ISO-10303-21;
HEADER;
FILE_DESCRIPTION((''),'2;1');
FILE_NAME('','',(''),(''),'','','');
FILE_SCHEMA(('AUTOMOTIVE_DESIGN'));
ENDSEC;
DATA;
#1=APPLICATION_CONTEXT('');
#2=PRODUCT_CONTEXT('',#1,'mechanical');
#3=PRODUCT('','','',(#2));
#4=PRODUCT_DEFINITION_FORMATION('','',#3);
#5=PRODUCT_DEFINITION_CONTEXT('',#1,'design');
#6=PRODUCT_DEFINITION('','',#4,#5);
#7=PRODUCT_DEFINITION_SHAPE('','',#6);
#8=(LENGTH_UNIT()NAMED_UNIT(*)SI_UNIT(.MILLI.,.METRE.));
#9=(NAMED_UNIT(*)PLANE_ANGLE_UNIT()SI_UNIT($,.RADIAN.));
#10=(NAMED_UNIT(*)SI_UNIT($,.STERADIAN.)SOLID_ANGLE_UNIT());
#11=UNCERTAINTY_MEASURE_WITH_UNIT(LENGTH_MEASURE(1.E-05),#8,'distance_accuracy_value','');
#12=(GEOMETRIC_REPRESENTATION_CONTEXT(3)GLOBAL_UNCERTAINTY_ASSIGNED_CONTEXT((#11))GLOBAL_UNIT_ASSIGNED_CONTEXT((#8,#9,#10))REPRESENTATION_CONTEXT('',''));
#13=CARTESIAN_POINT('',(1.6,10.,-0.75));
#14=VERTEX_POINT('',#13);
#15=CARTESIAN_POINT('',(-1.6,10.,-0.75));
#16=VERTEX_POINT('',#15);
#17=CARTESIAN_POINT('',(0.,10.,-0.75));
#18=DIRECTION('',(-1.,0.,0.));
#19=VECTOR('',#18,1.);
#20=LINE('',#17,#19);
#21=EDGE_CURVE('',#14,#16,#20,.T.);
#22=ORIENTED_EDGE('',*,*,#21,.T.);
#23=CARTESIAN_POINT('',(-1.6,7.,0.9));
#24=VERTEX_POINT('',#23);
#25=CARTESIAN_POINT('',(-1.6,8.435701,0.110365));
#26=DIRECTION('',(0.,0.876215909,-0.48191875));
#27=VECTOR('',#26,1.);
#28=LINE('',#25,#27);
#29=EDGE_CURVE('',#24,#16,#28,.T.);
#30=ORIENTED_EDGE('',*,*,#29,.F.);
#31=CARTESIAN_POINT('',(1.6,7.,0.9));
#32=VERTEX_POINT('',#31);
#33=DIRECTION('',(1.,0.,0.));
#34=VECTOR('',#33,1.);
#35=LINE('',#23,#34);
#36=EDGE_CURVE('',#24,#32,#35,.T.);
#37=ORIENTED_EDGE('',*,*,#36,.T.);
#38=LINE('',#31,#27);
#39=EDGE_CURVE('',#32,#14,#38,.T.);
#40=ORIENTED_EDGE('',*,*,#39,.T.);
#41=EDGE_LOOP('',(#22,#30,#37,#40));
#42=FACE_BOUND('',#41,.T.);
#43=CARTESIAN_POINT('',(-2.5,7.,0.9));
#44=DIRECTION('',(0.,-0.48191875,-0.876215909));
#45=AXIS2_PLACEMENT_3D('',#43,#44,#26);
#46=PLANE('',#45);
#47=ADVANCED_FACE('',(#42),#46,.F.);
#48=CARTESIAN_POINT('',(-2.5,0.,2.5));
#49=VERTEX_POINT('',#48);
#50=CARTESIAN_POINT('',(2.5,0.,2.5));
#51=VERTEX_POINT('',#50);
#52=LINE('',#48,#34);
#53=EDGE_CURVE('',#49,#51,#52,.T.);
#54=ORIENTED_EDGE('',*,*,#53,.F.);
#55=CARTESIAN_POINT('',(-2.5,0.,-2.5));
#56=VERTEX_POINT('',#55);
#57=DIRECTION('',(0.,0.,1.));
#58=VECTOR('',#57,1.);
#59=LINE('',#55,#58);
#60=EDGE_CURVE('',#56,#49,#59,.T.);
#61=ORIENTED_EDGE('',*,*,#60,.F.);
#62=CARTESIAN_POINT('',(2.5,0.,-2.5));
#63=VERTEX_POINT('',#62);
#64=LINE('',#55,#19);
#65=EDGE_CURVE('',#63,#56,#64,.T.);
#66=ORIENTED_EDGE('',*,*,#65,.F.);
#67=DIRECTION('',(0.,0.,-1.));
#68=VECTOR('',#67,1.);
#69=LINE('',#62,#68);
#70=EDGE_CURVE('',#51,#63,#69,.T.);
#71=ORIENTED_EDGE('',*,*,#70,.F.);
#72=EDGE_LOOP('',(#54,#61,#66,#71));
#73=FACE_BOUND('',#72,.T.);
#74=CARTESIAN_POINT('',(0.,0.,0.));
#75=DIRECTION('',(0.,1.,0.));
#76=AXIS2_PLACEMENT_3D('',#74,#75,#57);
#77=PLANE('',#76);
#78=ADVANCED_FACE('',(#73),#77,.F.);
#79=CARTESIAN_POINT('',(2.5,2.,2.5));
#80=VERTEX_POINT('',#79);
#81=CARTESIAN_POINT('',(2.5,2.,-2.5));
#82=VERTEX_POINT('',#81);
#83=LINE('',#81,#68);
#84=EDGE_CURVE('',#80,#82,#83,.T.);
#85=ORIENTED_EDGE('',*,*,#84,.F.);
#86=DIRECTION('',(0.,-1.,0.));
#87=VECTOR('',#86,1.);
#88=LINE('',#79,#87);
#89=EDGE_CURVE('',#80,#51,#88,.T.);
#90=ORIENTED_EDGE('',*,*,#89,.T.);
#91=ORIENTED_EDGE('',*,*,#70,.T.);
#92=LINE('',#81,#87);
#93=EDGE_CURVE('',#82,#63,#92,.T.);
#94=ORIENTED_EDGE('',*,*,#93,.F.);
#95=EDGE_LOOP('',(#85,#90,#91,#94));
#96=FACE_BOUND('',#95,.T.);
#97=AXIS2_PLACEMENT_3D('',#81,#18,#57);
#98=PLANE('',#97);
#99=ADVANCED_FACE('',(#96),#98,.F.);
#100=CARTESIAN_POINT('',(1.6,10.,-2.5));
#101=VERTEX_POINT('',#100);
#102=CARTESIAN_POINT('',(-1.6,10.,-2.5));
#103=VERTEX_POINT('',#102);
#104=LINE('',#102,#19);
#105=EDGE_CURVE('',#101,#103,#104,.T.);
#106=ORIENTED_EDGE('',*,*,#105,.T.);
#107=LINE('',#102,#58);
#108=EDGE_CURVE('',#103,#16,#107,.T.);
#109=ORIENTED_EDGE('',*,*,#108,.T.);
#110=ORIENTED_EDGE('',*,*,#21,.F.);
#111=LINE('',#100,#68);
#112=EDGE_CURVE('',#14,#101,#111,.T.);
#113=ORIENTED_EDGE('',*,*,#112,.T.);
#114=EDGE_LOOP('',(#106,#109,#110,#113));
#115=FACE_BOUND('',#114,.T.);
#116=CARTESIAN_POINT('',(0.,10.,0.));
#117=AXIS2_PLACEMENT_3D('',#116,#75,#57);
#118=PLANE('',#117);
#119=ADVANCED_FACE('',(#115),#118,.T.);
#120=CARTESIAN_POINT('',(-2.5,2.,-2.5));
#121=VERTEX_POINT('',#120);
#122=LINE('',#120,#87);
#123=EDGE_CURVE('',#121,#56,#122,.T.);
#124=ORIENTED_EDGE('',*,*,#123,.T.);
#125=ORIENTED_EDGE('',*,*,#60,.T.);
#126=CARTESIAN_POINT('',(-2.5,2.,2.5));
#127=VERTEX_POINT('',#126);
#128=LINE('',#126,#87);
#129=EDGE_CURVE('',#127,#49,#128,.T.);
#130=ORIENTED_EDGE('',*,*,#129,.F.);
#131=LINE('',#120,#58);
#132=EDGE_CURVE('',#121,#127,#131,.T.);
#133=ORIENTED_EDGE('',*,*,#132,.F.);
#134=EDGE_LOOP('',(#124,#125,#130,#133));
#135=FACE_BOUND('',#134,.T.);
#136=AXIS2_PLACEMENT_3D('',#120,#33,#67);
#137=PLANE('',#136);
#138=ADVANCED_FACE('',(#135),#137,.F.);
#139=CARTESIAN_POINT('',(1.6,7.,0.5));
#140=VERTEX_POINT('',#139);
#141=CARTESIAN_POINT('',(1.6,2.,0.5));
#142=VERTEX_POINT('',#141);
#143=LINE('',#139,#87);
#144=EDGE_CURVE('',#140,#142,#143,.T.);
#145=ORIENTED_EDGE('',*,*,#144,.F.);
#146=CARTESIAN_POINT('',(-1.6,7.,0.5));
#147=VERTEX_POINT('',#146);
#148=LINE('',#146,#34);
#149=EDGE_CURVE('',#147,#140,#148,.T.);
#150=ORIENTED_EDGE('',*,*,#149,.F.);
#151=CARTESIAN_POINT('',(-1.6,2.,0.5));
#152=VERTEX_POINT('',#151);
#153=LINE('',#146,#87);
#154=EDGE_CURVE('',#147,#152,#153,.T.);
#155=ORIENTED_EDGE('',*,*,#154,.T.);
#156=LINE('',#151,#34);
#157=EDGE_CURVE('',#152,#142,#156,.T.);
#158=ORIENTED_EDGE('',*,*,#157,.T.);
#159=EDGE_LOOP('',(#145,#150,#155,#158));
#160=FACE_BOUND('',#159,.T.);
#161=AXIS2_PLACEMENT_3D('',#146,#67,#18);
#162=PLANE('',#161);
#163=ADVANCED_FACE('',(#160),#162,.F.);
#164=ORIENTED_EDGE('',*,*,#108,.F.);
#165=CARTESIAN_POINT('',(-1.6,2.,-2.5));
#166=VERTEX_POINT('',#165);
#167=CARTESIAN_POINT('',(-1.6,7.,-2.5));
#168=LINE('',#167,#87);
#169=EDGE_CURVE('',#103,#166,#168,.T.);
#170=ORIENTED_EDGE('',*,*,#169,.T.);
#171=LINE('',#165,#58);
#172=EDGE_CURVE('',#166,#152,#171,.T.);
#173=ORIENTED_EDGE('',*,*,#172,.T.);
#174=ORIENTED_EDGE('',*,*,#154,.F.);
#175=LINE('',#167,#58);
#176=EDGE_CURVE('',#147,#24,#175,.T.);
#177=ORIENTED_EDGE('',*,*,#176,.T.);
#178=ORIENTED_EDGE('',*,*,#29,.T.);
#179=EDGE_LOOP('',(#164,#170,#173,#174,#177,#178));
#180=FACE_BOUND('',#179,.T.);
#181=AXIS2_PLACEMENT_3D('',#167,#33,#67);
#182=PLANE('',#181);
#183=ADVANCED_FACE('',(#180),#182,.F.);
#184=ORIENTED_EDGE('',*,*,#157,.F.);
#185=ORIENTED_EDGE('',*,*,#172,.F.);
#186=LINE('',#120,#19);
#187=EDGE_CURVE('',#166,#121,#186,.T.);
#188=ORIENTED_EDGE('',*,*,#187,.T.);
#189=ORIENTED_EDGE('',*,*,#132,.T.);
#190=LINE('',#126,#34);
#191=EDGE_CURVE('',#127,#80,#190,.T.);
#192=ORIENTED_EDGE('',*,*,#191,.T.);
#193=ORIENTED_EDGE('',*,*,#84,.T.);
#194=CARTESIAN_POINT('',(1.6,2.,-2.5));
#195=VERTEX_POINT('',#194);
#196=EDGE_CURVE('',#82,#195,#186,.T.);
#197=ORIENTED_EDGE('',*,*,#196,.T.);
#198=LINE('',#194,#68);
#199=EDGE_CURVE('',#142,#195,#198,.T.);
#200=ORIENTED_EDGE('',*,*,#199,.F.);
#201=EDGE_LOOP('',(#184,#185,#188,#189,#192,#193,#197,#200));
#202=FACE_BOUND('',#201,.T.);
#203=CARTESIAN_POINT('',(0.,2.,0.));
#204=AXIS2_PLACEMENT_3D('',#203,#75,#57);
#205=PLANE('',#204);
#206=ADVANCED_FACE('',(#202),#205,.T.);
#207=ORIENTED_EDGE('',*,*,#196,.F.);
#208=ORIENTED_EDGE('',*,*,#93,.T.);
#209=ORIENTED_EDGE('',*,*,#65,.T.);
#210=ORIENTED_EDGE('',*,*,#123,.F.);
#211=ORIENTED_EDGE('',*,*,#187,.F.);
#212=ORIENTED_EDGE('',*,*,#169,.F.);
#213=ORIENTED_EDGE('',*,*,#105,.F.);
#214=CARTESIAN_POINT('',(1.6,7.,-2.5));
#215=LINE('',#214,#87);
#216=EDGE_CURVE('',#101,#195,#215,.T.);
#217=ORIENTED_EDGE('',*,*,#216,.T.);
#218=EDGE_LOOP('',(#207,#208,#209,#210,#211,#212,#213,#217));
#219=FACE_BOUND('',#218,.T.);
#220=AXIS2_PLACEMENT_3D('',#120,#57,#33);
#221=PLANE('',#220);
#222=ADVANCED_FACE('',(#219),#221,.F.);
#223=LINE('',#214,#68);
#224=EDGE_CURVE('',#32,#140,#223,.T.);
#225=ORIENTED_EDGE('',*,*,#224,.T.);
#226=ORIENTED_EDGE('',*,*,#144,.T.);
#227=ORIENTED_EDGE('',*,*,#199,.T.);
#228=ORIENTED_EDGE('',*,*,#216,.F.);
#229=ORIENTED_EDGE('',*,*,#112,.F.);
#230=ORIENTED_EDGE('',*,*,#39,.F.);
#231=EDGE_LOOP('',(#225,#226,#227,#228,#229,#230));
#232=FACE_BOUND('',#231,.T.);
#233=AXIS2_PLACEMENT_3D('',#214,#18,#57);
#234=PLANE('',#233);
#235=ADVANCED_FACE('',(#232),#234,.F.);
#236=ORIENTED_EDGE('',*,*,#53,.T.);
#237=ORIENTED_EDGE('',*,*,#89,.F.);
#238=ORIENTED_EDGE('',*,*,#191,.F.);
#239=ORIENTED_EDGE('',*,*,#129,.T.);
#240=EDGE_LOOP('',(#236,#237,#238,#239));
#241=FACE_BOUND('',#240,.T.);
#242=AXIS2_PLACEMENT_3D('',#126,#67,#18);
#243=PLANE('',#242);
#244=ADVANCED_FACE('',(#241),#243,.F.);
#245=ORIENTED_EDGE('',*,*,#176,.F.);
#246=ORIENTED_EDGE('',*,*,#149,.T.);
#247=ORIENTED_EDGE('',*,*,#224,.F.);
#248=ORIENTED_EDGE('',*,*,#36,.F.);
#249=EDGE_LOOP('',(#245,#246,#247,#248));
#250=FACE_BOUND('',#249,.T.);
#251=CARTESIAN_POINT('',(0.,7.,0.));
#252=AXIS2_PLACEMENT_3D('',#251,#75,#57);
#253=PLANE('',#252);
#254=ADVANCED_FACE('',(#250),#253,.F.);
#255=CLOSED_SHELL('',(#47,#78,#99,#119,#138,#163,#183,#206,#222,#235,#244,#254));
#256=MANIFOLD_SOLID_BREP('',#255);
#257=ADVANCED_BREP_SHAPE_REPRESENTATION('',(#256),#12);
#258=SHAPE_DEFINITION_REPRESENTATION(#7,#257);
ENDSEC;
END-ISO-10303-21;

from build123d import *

# Parameters (mm, degrees)
SKETCH1_W           = 5
SKETCH1_H           = 5
BOSS_EXTRUDE1_DEPTH = 2
SKETCH2_W           = 3.2
SKETCH2_H           = 3
BOSS_EXTRUDE2_DEPTH = 5
SKETCH3_W           = 3.2
SKETCH3_H           = 3.4
BOSS_EXTRUDE3_DEPTH = 3
CUT_EXTRUDE1_DEPTH  = 12.093241186


with BuildPart() as part:
    # Sketch1 → Boss-Extrude1 (new body)
    with BuildSketch(Plane(origin=(0, 0, 0), x_dir=(1, 0, 0), z_dir=(0, 1, 0))):
        Rectangle(SKETCH1_W, SKETCH1_H)
    extrude(amount=BOSS_EXTRUDE1_DEPTH)

    # Sketch2 → Boss-Extrude2 (add)
    with BuildSketch(Plane(origin=(0, 2, 0), x_dir=(1, 0, 0), z_dir=(0, 1, 0))):
        with Locations((0, 1)):
            Rectangle(SKETCH2_W, SKETCH2_H)
    extrude(amount=BOSS_EXTRUDE2_DEPTH)

    # Sketch3 → Boss-Extrude3 (add)
    with BuildSketch(Plane(origin=(0, 7, 0), x_dir=(1, 0, 0), z_dir=(0, 1, 0))):
        with Locations((0, 0.8)):
            Rectangle(SKETCH3_W, SKETCH3_H)
    extrude(amount=BOSS_EXTRUDE3_DEPTH)

    # Sketch4 → Cut-Extrude1 (cut, through all)
    with BuildSketch(Plane(origin=(1.6, 0, 0), x_dir=(0, 0, -1), z_dir=(1, 0, 0))):
        Polygon((-0.9, 7), (0.75, 10), (-0.9, 10), align=None)
    extrude(amount=-CUT_EXTRUDE1_DEPTH, mode=Mode.SUBTRACT)


solid = part.part
